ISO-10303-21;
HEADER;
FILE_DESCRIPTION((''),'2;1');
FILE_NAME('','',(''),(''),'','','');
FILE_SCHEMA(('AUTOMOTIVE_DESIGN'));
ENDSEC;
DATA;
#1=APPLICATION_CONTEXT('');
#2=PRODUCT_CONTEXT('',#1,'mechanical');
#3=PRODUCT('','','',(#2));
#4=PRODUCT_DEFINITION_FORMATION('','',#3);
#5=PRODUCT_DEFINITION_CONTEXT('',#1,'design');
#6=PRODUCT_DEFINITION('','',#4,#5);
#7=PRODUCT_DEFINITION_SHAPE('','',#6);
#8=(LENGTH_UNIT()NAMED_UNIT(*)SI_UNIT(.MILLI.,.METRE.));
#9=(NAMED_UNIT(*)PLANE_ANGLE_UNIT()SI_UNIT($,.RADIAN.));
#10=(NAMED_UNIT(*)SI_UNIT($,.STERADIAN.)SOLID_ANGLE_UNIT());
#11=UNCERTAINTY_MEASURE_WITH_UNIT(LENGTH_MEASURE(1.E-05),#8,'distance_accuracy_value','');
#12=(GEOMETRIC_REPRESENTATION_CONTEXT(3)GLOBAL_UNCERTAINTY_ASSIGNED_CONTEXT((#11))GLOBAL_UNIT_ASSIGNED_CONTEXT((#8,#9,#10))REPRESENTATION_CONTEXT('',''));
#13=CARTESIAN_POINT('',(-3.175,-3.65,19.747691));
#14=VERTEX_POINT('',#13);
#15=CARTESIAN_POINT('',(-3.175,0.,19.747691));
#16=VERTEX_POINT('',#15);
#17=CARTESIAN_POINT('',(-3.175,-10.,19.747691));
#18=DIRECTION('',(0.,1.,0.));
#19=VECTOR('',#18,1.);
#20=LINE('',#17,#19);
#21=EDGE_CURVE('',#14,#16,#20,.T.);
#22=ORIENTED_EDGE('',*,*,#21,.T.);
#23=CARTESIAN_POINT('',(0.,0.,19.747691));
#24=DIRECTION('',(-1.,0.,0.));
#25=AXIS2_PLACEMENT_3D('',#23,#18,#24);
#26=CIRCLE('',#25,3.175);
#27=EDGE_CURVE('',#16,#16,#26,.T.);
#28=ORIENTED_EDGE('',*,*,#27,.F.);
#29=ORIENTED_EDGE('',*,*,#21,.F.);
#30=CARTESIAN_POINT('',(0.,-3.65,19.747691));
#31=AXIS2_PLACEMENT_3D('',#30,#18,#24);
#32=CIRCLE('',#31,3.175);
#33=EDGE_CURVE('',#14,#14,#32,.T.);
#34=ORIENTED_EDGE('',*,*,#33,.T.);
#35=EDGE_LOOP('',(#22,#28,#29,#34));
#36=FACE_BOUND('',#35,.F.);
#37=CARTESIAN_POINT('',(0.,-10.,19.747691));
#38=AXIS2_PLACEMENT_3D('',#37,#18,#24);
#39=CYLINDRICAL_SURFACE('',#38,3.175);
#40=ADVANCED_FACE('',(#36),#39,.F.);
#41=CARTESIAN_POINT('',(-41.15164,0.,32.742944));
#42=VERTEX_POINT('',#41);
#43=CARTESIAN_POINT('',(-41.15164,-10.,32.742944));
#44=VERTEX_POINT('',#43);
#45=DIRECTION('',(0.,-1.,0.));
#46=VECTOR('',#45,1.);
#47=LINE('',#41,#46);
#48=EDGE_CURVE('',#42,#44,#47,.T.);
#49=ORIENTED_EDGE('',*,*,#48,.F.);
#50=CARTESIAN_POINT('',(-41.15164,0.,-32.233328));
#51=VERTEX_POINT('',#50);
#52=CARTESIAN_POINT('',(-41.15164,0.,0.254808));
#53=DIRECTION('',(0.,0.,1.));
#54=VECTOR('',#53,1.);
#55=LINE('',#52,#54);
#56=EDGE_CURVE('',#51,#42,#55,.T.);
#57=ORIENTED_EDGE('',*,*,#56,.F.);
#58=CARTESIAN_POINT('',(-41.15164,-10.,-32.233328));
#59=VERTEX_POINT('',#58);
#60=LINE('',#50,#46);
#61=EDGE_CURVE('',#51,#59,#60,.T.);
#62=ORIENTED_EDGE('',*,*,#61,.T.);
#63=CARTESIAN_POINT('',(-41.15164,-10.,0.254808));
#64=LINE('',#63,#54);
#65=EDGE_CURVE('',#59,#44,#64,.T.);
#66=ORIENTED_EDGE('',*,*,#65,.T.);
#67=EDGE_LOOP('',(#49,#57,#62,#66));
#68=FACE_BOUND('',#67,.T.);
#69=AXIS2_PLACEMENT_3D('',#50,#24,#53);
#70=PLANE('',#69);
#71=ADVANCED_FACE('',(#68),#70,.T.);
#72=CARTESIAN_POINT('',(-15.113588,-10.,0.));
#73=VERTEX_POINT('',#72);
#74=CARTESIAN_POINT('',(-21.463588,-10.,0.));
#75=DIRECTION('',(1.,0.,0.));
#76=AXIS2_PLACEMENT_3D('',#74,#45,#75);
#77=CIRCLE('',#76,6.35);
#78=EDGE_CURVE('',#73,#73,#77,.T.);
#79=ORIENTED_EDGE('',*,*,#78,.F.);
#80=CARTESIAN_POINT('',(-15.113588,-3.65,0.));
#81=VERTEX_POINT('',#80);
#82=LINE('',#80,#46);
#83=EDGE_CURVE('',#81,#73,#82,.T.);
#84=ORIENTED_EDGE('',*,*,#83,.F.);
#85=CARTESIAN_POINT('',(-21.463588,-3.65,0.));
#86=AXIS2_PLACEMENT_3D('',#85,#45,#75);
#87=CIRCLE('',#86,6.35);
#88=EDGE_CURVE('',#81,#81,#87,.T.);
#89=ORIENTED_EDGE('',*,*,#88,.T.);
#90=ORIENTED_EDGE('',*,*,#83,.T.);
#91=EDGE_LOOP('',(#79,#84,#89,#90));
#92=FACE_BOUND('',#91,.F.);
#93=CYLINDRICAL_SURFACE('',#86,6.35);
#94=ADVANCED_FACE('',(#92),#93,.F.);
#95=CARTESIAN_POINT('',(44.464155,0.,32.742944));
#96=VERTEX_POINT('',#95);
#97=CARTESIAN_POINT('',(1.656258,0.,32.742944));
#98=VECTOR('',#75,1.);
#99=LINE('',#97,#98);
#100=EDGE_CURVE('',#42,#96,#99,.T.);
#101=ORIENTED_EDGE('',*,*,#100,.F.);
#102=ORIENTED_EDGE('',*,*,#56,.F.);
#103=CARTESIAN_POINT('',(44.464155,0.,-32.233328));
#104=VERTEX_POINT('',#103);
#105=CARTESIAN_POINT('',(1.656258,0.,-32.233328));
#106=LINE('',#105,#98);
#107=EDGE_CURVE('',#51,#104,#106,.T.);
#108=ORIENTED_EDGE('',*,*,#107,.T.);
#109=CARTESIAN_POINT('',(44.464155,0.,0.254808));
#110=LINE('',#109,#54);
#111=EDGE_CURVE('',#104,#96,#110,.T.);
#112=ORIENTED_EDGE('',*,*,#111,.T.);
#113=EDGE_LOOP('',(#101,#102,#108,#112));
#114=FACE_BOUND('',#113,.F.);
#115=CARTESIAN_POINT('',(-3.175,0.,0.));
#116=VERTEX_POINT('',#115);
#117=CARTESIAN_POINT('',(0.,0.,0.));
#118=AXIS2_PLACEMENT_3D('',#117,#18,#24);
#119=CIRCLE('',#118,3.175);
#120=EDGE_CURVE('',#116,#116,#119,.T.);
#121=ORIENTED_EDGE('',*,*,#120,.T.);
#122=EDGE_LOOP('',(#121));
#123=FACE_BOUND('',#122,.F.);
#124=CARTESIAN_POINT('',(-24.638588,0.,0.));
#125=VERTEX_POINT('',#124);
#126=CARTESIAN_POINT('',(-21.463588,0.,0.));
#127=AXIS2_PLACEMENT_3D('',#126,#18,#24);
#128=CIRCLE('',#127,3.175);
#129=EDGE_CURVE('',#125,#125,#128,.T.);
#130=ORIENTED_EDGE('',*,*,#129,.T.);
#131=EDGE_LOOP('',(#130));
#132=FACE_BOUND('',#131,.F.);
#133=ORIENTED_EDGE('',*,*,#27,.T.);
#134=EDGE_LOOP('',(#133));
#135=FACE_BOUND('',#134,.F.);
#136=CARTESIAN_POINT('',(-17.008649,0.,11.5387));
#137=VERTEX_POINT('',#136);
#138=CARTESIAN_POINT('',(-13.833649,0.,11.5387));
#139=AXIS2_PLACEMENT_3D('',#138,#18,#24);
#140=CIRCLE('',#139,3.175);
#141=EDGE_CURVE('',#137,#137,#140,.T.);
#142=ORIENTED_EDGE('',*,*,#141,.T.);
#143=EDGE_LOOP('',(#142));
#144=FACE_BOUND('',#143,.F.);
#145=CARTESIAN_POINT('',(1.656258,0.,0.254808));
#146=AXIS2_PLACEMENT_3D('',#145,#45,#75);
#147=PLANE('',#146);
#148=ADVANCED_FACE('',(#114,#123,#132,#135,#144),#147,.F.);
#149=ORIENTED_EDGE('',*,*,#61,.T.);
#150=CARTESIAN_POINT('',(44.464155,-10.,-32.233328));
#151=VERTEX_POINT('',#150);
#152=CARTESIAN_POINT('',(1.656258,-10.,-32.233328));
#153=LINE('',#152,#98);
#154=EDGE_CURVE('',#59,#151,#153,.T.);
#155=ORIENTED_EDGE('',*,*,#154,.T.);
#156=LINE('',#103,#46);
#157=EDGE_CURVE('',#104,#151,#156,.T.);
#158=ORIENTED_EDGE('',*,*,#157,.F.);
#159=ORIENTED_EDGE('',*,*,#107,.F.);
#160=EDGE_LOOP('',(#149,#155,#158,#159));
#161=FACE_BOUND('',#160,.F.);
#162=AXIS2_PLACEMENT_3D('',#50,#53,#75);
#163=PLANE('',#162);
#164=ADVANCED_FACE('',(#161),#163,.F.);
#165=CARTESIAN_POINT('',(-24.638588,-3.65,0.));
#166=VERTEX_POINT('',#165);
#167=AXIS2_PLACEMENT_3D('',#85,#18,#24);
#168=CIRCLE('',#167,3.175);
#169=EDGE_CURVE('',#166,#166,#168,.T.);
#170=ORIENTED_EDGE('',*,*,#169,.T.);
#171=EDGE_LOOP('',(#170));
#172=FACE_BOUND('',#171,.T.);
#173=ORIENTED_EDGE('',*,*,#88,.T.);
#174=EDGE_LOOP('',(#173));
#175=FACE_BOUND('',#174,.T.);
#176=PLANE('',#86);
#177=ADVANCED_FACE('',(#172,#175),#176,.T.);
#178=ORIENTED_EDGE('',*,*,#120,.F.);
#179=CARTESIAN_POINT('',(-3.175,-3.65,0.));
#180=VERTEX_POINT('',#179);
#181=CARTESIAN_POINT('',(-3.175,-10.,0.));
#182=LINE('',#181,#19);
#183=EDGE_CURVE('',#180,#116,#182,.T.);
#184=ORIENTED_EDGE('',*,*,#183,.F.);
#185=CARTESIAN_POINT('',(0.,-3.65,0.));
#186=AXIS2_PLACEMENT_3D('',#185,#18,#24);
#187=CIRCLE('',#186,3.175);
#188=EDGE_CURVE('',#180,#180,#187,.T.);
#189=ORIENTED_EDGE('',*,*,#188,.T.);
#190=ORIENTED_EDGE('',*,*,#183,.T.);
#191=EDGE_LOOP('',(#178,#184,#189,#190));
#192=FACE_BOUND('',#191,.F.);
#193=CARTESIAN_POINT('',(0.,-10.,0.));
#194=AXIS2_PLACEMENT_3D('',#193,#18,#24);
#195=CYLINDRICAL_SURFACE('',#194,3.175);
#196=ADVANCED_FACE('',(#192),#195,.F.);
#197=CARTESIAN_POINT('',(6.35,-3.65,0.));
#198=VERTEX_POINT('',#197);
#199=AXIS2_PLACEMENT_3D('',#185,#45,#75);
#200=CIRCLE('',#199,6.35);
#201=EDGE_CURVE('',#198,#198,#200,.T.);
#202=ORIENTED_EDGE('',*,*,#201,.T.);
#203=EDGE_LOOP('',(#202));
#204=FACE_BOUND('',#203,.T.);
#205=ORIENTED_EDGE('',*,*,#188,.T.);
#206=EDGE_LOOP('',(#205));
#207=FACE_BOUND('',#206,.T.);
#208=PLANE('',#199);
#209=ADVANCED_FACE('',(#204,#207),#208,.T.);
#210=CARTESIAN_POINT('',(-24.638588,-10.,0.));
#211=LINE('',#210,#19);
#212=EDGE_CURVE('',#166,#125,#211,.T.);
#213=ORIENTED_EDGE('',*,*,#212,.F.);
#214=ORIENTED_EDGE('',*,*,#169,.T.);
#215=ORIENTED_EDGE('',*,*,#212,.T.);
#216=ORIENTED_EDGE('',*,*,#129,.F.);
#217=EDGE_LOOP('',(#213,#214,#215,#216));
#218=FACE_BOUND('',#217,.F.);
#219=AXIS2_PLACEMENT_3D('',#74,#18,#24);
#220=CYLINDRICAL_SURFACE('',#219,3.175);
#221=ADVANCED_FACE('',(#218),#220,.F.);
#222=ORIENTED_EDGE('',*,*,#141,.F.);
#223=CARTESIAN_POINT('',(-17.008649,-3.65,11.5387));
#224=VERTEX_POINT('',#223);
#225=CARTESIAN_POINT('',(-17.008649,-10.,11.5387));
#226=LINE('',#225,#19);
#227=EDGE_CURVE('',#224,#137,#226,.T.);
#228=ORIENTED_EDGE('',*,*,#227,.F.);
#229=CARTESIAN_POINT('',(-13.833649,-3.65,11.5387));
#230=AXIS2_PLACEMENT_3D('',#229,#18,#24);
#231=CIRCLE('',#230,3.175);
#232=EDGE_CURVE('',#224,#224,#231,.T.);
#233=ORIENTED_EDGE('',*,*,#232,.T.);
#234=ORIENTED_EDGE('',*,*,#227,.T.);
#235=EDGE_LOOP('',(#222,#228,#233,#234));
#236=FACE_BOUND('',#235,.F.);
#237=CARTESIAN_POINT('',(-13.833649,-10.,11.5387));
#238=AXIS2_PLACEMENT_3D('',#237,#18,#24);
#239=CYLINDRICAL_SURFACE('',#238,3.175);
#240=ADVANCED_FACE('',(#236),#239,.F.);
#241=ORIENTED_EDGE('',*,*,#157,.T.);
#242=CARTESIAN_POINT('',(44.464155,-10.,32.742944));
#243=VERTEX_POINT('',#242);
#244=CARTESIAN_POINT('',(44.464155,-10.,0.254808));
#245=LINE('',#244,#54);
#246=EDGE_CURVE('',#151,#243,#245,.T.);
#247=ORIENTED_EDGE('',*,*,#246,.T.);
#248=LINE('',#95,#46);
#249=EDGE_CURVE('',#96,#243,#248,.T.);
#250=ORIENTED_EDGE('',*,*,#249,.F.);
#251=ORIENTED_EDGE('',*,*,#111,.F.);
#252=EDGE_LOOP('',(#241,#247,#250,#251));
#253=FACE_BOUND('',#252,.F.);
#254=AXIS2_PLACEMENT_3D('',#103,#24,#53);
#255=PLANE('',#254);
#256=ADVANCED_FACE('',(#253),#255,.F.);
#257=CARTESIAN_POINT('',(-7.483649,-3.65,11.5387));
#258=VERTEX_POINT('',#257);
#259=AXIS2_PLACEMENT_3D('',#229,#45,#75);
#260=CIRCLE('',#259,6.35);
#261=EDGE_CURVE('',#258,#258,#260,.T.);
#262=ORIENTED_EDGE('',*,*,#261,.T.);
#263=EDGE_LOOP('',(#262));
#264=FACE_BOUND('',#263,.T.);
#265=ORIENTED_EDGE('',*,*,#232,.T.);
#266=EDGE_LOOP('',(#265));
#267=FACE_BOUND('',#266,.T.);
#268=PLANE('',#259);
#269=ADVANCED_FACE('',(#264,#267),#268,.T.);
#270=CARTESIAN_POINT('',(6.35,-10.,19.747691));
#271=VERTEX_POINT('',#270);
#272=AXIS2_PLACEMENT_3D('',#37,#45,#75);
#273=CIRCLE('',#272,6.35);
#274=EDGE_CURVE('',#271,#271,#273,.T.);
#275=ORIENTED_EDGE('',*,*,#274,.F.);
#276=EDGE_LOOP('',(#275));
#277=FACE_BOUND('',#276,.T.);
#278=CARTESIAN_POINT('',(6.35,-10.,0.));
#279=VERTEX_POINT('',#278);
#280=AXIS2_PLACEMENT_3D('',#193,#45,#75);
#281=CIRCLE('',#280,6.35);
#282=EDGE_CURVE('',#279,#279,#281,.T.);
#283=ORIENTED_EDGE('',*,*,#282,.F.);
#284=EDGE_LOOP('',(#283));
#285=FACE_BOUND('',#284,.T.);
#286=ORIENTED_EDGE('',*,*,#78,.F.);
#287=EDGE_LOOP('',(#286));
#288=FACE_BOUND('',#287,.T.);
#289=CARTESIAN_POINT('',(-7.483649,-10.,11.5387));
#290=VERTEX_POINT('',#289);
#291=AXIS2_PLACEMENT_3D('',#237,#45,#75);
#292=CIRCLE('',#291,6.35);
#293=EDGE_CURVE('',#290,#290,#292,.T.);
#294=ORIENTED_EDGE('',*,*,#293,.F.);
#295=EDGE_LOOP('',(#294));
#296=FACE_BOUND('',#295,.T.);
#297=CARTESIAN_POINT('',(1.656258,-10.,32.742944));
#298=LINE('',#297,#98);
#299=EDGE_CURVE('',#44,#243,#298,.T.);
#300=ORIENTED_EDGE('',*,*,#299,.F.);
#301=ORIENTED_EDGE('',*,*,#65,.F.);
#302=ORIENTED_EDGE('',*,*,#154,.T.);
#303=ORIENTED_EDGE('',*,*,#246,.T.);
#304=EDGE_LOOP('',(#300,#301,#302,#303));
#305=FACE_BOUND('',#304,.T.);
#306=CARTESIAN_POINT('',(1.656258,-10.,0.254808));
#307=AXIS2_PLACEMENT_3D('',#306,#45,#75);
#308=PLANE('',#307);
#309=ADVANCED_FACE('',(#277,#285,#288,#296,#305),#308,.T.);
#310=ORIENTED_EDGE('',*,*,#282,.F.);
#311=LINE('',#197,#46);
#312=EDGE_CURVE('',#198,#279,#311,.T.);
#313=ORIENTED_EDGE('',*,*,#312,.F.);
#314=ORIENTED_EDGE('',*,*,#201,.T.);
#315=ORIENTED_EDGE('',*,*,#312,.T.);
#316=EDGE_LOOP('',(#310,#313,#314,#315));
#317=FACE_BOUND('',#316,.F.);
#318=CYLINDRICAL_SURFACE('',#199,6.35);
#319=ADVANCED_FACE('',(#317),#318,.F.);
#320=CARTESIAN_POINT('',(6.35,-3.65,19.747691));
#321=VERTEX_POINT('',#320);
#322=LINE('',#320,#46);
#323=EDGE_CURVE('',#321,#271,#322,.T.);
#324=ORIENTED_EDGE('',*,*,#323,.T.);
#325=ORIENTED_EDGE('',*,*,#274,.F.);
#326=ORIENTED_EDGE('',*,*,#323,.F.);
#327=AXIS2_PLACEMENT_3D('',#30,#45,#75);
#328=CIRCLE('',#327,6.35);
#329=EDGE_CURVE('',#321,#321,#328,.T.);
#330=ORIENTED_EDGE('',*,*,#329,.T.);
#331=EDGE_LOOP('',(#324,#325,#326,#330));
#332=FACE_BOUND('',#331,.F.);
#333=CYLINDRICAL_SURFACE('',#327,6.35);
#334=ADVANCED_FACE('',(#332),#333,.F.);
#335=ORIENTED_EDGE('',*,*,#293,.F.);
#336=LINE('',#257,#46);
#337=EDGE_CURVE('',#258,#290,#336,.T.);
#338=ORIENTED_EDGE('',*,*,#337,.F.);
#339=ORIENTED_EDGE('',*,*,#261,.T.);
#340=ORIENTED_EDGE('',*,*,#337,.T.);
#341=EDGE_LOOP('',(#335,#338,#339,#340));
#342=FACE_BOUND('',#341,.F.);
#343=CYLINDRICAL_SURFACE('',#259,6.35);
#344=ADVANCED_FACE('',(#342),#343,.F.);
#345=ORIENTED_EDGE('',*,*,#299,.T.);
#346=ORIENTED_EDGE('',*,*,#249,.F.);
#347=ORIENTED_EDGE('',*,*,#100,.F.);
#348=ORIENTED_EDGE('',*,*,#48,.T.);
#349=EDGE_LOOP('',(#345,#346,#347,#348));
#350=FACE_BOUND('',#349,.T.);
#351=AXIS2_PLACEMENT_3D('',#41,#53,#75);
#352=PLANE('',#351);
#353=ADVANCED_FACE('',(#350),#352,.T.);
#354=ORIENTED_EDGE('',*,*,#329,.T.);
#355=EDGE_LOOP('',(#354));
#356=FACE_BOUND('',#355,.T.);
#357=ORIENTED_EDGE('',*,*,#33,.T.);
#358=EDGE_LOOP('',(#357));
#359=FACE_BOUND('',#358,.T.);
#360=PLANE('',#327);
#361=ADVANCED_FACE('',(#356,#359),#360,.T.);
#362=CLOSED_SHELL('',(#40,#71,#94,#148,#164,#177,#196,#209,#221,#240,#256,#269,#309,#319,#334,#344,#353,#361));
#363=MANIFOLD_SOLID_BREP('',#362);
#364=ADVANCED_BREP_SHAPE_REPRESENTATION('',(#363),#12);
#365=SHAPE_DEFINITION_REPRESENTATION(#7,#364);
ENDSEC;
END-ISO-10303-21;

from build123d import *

# Parameters (mm, degrees)
F0_W           = 85.615795
F0_H           = 64.976272
F1_DEPTH       = 10
F3_D           = 6.35
F3_CBORE_D     = 12.7
F3_CBORE_DEPTH = 6.35


with BuildPart() as f1:
    # F0 (on Front) → F1 (new body)
    with BuildSketch(Plane.XZ):
        with Locations((1.656258, 0.254808)):
            Rectangle(F0_W, F0_H)
    extrude(amount=F1_DEPTH)

    # F3 (through all)
    with Locations(Plane.XZ.offset(10)):
        with Locations((0, 0), (-21.463588, 0), (-13.833649, 11.5387), (0, 19.747691)):
            CounterBoreHole(F3_D / 2, F3_CBORE_D / 2, F3_CBORE_DEPTH)


solid = f1.part
